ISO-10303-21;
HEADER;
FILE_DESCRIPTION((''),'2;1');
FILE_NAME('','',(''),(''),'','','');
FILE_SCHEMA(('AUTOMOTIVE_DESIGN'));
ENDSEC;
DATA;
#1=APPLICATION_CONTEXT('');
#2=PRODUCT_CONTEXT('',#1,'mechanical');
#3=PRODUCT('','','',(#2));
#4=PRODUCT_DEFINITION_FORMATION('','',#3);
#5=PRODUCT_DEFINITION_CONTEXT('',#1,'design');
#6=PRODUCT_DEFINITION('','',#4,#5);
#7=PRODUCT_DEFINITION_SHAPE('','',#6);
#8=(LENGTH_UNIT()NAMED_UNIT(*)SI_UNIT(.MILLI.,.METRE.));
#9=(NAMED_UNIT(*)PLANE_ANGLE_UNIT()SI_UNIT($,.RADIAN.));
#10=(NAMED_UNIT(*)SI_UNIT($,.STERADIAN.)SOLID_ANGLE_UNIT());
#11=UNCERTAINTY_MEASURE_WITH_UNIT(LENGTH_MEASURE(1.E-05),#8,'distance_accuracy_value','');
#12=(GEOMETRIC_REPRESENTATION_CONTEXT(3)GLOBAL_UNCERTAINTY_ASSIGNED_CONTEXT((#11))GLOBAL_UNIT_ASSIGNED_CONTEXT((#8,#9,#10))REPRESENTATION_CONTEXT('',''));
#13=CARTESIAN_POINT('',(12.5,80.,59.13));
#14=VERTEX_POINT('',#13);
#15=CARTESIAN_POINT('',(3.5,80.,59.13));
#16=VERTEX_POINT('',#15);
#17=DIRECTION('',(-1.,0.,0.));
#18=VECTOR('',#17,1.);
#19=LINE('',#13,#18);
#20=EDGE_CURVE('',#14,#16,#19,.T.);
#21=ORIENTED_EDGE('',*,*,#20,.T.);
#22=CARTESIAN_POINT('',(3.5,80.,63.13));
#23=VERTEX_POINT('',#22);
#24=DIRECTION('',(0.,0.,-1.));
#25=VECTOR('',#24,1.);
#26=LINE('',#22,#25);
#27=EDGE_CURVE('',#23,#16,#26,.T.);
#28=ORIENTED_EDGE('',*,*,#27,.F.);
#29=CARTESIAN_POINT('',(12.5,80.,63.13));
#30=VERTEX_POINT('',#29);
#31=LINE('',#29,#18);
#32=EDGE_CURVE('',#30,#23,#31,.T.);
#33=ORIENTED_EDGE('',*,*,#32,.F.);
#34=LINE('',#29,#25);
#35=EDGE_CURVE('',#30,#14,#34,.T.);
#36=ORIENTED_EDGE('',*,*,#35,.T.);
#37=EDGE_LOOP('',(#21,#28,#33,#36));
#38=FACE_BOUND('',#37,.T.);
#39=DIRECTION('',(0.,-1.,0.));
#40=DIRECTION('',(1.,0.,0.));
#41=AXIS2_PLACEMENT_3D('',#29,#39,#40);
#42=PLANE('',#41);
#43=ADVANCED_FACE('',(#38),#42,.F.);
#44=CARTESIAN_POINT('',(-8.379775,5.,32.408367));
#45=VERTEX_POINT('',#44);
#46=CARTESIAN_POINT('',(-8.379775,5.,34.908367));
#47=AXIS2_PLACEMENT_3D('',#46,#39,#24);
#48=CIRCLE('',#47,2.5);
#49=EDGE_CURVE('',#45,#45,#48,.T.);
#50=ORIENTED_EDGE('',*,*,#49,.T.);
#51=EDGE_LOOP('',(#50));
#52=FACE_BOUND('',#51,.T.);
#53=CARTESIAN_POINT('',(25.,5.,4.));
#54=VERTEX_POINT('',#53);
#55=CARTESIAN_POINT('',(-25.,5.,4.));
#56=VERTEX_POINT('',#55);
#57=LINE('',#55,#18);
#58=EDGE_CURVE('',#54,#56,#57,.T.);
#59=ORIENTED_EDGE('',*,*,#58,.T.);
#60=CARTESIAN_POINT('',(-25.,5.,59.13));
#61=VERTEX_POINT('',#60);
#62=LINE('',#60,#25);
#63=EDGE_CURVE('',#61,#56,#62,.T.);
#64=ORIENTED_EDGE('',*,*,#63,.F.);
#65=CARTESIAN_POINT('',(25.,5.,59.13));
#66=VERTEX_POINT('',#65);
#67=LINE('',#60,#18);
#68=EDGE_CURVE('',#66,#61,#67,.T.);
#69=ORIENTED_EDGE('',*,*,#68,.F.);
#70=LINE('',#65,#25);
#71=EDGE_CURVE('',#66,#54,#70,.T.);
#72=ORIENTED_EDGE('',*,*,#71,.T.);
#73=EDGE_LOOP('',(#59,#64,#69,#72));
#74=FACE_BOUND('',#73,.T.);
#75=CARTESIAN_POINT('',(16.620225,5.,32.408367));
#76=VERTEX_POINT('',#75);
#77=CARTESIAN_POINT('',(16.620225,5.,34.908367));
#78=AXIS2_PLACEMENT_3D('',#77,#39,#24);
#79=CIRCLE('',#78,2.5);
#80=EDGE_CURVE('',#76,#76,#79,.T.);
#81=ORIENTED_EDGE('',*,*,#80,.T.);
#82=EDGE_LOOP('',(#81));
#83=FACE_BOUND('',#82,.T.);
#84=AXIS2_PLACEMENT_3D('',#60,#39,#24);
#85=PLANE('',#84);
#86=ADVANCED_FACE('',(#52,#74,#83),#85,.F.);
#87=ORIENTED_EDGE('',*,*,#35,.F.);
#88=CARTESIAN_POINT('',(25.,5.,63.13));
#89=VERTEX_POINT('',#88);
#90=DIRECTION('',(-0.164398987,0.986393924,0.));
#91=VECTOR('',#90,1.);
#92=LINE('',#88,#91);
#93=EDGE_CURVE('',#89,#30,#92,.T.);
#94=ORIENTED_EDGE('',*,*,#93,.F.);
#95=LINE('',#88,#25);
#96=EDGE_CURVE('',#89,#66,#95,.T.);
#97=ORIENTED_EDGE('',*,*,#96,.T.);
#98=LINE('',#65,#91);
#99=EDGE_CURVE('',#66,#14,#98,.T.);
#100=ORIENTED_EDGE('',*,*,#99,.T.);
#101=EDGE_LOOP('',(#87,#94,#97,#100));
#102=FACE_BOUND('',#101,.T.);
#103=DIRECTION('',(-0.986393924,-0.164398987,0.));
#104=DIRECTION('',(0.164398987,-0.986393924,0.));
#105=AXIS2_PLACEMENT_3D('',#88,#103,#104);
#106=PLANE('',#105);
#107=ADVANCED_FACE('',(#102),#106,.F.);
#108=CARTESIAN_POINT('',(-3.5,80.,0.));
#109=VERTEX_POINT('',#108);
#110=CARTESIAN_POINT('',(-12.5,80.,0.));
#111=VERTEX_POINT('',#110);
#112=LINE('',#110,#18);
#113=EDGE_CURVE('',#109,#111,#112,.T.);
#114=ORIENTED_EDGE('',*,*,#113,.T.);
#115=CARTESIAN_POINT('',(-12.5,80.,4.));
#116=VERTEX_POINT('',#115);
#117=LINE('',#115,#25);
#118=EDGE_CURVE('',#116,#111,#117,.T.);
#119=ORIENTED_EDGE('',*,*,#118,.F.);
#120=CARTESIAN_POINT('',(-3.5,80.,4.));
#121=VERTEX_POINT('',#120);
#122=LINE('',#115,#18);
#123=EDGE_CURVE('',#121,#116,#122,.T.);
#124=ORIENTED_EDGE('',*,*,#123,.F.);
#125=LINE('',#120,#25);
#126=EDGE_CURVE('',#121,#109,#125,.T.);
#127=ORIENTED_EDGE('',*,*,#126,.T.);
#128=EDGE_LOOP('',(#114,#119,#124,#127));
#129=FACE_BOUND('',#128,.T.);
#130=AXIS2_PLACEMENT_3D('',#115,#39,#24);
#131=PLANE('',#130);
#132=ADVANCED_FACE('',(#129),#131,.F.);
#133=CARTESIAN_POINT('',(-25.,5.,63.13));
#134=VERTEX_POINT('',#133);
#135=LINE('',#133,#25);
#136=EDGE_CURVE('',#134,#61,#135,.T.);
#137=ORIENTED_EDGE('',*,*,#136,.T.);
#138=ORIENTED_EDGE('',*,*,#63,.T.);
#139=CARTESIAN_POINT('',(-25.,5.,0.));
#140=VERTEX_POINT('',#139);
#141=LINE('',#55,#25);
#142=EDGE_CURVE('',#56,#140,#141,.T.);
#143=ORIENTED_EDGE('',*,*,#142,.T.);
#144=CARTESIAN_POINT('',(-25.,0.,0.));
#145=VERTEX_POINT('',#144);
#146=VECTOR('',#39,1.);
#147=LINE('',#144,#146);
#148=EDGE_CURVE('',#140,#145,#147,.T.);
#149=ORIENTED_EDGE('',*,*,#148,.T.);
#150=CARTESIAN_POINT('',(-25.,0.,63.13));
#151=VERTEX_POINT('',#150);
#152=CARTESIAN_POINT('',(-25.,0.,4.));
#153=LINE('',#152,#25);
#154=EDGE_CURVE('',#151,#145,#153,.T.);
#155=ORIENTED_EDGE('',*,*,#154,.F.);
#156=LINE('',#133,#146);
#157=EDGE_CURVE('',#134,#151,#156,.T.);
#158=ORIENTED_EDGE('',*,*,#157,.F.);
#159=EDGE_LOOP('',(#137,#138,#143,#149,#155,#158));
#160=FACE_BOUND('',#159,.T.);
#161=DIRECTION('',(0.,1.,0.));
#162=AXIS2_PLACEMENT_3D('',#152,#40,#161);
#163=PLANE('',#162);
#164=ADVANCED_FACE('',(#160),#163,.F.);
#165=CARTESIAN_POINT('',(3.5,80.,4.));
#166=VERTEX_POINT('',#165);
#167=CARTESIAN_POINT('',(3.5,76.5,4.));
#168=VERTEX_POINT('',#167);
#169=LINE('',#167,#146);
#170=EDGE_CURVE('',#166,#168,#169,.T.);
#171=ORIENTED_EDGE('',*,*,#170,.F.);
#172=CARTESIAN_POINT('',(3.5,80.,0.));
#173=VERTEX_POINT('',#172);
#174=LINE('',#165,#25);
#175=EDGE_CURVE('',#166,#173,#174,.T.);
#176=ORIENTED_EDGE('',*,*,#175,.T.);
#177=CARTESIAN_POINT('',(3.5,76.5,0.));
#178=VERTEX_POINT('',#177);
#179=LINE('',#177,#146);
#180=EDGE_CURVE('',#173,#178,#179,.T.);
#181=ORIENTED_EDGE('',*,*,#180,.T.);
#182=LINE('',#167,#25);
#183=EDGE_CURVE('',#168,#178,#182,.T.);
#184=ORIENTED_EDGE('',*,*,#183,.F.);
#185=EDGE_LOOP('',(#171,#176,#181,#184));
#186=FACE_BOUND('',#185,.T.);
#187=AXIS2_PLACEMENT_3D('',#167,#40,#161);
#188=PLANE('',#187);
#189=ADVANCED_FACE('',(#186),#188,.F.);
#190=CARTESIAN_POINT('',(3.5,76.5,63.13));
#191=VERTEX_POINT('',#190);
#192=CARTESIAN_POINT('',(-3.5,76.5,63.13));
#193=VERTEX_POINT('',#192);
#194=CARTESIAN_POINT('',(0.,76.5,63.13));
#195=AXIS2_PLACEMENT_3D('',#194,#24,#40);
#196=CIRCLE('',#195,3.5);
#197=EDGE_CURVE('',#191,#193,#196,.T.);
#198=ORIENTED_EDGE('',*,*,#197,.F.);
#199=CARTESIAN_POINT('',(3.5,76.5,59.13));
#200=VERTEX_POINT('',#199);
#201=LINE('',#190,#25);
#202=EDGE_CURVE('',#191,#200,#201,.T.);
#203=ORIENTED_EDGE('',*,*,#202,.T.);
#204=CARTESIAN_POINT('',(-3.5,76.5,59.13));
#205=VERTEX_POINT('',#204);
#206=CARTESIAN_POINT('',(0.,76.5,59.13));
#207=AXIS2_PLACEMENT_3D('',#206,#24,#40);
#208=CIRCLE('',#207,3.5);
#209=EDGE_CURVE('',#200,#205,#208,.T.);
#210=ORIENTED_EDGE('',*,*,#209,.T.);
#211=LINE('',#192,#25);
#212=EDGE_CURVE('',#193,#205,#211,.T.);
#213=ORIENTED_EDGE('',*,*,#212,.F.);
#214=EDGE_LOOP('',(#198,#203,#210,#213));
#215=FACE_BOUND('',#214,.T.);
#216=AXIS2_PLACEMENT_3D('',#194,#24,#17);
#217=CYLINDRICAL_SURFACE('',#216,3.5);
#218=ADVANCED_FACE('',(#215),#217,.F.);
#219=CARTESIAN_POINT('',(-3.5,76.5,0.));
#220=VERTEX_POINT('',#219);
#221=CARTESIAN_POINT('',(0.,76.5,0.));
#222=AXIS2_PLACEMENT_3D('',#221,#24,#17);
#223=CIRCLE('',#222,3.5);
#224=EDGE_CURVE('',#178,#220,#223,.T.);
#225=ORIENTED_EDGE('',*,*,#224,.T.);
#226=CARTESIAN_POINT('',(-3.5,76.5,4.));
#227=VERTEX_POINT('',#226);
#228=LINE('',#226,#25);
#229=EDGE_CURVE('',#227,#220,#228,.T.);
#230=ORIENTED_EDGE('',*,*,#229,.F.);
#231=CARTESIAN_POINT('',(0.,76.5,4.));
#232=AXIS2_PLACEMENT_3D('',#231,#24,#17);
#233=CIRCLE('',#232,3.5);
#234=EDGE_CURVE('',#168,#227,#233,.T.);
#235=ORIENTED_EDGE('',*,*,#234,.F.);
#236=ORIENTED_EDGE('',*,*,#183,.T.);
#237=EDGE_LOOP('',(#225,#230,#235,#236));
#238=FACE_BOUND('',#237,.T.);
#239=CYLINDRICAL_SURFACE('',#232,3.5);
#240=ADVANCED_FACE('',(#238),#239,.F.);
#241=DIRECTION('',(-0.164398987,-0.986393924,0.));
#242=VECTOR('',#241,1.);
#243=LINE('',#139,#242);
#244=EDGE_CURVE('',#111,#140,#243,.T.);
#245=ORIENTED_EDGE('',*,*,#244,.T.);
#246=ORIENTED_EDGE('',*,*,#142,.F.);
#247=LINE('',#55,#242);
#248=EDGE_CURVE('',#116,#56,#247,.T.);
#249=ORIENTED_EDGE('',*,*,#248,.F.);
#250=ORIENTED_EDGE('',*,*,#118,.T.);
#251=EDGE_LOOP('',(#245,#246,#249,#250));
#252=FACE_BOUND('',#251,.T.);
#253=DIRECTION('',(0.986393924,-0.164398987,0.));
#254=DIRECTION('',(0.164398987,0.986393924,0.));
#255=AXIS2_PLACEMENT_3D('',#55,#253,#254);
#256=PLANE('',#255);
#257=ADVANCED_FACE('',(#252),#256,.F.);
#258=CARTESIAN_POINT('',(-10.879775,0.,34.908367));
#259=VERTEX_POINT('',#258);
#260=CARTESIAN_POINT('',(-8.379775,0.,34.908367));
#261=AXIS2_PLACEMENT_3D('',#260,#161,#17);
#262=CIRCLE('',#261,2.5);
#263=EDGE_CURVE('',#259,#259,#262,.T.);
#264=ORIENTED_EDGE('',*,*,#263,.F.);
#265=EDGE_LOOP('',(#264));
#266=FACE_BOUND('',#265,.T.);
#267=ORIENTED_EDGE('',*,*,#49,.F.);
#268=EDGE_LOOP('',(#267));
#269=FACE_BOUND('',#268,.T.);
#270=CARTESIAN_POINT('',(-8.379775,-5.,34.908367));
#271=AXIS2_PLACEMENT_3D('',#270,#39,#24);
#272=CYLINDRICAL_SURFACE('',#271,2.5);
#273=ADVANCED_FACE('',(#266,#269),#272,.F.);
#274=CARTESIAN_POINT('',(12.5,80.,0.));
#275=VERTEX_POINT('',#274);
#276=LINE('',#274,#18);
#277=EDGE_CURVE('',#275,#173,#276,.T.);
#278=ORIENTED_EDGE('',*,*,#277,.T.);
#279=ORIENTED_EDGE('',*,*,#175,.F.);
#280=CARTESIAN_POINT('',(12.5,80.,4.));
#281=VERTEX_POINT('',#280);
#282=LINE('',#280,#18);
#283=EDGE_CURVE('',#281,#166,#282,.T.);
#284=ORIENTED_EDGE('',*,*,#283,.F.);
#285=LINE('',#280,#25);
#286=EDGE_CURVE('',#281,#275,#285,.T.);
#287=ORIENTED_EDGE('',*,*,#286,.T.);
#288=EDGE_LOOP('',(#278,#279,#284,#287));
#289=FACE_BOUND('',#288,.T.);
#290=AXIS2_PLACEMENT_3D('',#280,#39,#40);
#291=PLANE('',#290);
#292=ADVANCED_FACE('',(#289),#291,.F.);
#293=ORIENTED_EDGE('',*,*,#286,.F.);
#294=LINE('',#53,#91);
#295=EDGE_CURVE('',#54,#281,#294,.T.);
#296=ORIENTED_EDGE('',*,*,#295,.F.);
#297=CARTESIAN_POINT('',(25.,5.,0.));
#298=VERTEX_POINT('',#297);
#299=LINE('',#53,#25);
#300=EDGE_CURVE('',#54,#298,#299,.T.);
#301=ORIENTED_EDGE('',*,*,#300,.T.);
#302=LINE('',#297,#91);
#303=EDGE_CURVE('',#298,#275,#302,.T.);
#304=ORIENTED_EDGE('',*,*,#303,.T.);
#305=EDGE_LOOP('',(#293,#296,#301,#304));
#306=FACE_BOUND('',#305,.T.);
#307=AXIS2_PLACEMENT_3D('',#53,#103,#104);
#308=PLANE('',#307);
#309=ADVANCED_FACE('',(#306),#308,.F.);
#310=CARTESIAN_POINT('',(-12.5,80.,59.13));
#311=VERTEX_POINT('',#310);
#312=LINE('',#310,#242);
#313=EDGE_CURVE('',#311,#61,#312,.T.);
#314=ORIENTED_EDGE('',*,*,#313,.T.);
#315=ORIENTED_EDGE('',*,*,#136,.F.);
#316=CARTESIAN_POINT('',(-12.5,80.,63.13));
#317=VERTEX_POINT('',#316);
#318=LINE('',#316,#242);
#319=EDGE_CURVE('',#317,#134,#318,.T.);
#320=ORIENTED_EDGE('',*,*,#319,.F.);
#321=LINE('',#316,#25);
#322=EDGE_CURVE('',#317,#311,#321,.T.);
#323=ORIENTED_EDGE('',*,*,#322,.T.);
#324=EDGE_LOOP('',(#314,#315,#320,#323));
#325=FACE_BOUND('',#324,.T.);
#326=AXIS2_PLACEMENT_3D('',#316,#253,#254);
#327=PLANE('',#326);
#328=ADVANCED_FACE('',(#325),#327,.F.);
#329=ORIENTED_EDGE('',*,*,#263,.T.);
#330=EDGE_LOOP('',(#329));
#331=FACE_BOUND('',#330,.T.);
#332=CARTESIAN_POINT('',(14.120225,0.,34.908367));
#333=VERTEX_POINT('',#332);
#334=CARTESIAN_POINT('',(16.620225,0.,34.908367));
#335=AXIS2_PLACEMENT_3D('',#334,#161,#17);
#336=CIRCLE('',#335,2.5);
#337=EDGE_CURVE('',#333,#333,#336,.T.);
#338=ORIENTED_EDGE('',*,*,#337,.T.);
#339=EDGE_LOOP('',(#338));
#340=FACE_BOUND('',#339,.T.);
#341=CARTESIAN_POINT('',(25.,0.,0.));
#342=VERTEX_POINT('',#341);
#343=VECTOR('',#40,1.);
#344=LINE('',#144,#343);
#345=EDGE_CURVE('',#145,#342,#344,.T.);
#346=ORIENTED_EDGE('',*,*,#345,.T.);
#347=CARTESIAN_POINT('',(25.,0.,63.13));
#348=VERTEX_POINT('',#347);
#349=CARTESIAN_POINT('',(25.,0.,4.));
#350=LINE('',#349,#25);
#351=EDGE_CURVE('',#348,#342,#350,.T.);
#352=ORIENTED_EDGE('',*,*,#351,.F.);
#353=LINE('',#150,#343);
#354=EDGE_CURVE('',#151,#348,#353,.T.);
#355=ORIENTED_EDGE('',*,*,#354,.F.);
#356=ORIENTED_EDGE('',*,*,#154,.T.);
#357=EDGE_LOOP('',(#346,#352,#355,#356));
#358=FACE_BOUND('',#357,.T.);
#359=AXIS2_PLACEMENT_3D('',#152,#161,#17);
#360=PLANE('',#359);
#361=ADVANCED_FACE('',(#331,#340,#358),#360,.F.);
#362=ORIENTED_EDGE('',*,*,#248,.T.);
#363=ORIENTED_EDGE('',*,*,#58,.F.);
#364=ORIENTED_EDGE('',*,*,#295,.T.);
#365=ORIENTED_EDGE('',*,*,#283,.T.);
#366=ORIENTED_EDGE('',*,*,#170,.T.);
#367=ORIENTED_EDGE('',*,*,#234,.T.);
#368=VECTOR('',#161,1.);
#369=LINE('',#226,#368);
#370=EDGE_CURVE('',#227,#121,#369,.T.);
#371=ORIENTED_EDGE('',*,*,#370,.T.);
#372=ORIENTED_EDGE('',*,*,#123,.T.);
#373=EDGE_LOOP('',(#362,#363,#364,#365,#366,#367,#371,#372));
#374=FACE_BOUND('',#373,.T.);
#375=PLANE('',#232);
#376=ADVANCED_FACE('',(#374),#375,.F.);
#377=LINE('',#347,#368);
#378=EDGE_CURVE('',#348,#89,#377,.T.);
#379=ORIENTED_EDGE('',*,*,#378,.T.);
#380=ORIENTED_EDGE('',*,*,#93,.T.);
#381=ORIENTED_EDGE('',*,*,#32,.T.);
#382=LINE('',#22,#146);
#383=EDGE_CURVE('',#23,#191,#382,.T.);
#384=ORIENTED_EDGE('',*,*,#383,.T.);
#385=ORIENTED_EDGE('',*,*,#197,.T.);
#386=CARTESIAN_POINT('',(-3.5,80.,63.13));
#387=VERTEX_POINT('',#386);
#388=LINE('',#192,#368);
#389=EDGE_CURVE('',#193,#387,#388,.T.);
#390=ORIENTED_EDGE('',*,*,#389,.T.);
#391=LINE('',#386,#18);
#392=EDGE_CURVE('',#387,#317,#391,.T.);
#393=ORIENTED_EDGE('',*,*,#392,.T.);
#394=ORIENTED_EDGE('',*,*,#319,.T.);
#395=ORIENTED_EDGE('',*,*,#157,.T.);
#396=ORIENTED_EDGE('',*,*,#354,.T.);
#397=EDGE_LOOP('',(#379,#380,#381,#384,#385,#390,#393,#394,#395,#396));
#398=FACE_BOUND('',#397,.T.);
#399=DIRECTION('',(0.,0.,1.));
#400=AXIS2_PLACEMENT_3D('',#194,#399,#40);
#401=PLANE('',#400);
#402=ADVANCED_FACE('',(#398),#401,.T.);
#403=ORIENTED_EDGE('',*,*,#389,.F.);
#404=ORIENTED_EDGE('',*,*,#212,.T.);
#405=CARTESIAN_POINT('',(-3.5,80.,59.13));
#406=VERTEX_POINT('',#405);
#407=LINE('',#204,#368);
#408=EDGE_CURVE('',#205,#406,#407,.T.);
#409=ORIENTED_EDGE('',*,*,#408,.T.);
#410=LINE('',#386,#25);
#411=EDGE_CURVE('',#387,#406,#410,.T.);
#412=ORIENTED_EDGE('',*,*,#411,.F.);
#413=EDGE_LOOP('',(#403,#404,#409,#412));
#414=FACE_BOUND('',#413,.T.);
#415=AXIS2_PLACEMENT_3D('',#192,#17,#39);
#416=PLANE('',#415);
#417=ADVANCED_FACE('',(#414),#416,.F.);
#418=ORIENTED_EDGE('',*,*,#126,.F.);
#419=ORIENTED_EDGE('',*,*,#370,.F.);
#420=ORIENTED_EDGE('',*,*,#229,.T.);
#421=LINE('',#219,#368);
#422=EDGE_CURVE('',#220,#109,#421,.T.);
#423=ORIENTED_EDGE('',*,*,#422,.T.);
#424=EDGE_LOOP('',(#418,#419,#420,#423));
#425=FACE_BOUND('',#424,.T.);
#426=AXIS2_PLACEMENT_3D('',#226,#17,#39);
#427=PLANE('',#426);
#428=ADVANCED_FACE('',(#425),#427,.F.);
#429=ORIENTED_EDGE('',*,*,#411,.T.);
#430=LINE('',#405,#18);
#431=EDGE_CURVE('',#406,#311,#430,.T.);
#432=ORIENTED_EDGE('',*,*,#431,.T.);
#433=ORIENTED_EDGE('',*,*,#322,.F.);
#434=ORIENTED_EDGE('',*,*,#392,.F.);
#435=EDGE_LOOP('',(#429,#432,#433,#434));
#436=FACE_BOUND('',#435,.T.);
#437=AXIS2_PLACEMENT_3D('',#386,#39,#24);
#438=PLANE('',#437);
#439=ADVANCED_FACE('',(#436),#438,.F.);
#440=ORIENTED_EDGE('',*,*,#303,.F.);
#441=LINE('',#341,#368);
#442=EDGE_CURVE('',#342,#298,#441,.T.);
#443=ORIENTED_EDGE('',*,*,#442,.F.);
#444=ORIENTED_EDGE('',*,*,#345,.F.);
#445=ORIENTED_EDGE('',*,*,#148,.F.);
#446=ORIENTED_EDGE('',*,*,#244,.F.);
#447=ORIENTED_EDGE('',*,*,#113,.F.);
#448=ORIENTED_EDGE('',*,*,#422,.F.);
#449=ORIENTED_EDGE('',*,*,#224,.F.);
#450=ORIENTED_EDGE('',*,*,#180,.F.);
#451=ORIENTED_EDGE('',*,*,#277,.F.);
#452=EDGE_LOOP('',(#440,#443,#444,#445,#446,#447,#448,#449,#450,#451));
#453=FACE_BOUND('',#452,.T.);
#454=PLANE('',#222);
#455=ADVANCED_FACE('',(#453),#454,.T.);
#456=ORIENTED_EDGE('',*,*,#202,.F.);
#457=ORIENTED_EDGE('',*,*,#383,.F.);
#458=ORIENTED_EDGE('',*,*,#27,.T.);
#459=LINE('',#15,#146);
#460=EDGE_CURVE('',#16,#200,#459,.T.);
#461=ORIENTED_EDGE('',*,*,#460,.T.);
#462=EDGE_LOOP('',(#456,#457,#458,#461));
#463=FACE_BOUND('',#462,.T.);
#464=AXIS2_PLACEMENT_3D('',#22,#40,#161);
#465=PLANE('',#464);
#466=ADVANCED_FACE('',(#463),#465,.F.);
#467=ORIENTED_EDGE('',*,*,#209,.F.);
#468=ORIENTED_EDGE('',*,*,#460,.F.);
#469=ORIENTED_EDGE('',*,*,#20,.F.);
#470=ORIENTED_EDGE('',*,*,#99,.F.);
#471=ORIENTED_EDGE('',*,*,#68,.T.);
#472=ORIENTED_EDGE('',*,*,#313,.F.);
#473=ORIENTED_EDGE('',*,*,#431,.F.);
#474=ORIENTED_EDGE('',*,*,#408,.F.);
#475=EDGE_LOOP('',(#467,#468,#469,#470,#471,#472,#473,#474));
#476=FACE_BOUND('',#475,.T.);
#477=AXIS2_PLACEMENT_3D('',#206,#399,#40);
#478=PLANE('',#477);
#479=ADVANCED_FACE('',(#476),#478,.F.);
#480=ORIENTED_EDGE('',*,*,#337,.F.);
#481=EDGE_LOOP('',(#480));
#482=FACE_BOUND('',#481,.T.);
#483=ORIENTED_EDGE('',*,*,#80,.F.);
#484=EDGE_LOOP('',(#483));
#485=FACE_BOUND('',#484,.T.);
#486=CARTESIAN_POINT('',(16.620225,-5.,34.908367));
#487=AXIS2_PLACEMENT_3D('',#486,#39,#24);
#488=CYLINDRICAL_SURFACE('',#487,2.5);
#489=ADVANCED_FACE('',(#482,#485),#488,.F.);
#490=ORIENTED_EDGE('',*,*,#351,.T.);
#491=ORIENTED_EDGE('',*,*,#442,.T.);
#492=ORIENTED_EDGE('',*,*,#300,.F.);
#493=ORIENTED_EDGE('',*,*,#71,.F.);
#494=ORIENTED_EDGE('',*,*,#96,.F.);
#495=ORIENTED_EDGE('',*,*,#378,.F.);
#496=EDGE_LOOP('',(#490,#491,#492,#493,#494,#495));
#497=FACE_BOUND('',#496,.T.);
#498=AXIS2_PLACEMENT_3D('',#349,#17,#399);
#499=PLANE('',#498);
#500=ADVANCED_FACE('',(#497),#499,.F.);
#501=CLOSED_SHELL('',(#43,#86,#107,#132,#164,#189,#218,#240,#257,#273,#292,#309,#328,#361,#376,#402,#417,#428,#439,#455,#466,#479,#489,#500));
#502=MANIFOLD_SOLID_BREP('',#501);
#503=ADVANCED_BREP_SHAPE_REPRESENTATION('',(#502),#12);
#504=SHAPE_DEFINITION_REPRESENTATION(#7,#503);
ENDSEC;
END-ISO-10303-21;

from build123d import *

# Parameters (mm, degrees)
ESTRUSIONE_ESTRUSIONE1_DEPTH = 4
SCHIZZO2_W                   = 50
SCHIZZO2_H                   = 5
ESTRUSIONE_ESTRUSIONE2_DEPTH = 55.13
ESTRUSIONE_ESTRUSIONE3_DEPTH = 4
FORO_PER_VITE_M5_1_D         = 5


with BuildPart() as part:
    # Schizzo1 → Estrusione-Estrusione1 (new body)
    with BuildSketch(Plane.XY):
        with BuildLine():
            Line((-25, 0), (25, 0))
            Line((25, 0), (25, 5))
            Line((25, 5), (12.5, 80))
            Line((12.5, 80), (3.5, 80))
            Line((3.5, 80), (3.5, 76.5))
            ThreePointArc((3.5, 76.5), (0, 73), (-3.5, 76.5))
            Line((-3.5, 76.5), (-3.5, 80))
            Line((-3.5, 80), (-12.5, 80))
            Line((-12.5, 80), (-25, 5))
            Line((-25, 5), (-25, 0))
        make_face()
    extrude(amount=ESTRUSIONE_ESTRUSIONE1_DEPTH)

    # Schizzo2 → Estrusione-Estrusione2 (add)
    with BuildSketch(Plane.XY.offset(4)):
        with Locations((0, 2.5)):
            Rectangle(SCHIZZO2_W, SCHIZZO2_H)
    extrude(amount=ESTRUSIONE_ESTRUSIONE2_DEPTH)

    # Schizzo3 → Estrusione-Estrusione3 (add)
    with BuildSketch(Plane.XY.offset(59.13)):
        with BuildLine():
            Line((3.5, 80), (3.5, 76.5))
            ThreePointArc((3.5, 76.5), (0, 73), (-3.5, 76.5))
            Line((-3.5, 76.5), (-3.5, 80))
            Line((-3.5, 80), (-12.5, 80))
            Line((-12.5, 80), (-25, 5))
            Line((-25, 5), (-25, 0))
            Line((-25, 0), (25, 0))
            Line((25, 0), (25, 5))
            Line((25, 5), (12.5, 80))
            Line((12.5, 80), (3.5, 80))
        make_face()
    extrude(amount=ESTRUSIONE_ESTRUSIONE3_DEPTH)

    # Foro per Vite M5-1 (through all)
    with Locations(Plane(origin=(658.388856913, -5, 71.018331699), x_dir=(-0.2836975166298168, 0, -0.9589138225398959), z_dir=(0, -1, 0))):
        with Locations((223.786948804, -629.129350035), (216.694510888, -605.156504471)):
            Hole(FORO_PER_VITE_M5_1_D / 2)


solid = part.part
